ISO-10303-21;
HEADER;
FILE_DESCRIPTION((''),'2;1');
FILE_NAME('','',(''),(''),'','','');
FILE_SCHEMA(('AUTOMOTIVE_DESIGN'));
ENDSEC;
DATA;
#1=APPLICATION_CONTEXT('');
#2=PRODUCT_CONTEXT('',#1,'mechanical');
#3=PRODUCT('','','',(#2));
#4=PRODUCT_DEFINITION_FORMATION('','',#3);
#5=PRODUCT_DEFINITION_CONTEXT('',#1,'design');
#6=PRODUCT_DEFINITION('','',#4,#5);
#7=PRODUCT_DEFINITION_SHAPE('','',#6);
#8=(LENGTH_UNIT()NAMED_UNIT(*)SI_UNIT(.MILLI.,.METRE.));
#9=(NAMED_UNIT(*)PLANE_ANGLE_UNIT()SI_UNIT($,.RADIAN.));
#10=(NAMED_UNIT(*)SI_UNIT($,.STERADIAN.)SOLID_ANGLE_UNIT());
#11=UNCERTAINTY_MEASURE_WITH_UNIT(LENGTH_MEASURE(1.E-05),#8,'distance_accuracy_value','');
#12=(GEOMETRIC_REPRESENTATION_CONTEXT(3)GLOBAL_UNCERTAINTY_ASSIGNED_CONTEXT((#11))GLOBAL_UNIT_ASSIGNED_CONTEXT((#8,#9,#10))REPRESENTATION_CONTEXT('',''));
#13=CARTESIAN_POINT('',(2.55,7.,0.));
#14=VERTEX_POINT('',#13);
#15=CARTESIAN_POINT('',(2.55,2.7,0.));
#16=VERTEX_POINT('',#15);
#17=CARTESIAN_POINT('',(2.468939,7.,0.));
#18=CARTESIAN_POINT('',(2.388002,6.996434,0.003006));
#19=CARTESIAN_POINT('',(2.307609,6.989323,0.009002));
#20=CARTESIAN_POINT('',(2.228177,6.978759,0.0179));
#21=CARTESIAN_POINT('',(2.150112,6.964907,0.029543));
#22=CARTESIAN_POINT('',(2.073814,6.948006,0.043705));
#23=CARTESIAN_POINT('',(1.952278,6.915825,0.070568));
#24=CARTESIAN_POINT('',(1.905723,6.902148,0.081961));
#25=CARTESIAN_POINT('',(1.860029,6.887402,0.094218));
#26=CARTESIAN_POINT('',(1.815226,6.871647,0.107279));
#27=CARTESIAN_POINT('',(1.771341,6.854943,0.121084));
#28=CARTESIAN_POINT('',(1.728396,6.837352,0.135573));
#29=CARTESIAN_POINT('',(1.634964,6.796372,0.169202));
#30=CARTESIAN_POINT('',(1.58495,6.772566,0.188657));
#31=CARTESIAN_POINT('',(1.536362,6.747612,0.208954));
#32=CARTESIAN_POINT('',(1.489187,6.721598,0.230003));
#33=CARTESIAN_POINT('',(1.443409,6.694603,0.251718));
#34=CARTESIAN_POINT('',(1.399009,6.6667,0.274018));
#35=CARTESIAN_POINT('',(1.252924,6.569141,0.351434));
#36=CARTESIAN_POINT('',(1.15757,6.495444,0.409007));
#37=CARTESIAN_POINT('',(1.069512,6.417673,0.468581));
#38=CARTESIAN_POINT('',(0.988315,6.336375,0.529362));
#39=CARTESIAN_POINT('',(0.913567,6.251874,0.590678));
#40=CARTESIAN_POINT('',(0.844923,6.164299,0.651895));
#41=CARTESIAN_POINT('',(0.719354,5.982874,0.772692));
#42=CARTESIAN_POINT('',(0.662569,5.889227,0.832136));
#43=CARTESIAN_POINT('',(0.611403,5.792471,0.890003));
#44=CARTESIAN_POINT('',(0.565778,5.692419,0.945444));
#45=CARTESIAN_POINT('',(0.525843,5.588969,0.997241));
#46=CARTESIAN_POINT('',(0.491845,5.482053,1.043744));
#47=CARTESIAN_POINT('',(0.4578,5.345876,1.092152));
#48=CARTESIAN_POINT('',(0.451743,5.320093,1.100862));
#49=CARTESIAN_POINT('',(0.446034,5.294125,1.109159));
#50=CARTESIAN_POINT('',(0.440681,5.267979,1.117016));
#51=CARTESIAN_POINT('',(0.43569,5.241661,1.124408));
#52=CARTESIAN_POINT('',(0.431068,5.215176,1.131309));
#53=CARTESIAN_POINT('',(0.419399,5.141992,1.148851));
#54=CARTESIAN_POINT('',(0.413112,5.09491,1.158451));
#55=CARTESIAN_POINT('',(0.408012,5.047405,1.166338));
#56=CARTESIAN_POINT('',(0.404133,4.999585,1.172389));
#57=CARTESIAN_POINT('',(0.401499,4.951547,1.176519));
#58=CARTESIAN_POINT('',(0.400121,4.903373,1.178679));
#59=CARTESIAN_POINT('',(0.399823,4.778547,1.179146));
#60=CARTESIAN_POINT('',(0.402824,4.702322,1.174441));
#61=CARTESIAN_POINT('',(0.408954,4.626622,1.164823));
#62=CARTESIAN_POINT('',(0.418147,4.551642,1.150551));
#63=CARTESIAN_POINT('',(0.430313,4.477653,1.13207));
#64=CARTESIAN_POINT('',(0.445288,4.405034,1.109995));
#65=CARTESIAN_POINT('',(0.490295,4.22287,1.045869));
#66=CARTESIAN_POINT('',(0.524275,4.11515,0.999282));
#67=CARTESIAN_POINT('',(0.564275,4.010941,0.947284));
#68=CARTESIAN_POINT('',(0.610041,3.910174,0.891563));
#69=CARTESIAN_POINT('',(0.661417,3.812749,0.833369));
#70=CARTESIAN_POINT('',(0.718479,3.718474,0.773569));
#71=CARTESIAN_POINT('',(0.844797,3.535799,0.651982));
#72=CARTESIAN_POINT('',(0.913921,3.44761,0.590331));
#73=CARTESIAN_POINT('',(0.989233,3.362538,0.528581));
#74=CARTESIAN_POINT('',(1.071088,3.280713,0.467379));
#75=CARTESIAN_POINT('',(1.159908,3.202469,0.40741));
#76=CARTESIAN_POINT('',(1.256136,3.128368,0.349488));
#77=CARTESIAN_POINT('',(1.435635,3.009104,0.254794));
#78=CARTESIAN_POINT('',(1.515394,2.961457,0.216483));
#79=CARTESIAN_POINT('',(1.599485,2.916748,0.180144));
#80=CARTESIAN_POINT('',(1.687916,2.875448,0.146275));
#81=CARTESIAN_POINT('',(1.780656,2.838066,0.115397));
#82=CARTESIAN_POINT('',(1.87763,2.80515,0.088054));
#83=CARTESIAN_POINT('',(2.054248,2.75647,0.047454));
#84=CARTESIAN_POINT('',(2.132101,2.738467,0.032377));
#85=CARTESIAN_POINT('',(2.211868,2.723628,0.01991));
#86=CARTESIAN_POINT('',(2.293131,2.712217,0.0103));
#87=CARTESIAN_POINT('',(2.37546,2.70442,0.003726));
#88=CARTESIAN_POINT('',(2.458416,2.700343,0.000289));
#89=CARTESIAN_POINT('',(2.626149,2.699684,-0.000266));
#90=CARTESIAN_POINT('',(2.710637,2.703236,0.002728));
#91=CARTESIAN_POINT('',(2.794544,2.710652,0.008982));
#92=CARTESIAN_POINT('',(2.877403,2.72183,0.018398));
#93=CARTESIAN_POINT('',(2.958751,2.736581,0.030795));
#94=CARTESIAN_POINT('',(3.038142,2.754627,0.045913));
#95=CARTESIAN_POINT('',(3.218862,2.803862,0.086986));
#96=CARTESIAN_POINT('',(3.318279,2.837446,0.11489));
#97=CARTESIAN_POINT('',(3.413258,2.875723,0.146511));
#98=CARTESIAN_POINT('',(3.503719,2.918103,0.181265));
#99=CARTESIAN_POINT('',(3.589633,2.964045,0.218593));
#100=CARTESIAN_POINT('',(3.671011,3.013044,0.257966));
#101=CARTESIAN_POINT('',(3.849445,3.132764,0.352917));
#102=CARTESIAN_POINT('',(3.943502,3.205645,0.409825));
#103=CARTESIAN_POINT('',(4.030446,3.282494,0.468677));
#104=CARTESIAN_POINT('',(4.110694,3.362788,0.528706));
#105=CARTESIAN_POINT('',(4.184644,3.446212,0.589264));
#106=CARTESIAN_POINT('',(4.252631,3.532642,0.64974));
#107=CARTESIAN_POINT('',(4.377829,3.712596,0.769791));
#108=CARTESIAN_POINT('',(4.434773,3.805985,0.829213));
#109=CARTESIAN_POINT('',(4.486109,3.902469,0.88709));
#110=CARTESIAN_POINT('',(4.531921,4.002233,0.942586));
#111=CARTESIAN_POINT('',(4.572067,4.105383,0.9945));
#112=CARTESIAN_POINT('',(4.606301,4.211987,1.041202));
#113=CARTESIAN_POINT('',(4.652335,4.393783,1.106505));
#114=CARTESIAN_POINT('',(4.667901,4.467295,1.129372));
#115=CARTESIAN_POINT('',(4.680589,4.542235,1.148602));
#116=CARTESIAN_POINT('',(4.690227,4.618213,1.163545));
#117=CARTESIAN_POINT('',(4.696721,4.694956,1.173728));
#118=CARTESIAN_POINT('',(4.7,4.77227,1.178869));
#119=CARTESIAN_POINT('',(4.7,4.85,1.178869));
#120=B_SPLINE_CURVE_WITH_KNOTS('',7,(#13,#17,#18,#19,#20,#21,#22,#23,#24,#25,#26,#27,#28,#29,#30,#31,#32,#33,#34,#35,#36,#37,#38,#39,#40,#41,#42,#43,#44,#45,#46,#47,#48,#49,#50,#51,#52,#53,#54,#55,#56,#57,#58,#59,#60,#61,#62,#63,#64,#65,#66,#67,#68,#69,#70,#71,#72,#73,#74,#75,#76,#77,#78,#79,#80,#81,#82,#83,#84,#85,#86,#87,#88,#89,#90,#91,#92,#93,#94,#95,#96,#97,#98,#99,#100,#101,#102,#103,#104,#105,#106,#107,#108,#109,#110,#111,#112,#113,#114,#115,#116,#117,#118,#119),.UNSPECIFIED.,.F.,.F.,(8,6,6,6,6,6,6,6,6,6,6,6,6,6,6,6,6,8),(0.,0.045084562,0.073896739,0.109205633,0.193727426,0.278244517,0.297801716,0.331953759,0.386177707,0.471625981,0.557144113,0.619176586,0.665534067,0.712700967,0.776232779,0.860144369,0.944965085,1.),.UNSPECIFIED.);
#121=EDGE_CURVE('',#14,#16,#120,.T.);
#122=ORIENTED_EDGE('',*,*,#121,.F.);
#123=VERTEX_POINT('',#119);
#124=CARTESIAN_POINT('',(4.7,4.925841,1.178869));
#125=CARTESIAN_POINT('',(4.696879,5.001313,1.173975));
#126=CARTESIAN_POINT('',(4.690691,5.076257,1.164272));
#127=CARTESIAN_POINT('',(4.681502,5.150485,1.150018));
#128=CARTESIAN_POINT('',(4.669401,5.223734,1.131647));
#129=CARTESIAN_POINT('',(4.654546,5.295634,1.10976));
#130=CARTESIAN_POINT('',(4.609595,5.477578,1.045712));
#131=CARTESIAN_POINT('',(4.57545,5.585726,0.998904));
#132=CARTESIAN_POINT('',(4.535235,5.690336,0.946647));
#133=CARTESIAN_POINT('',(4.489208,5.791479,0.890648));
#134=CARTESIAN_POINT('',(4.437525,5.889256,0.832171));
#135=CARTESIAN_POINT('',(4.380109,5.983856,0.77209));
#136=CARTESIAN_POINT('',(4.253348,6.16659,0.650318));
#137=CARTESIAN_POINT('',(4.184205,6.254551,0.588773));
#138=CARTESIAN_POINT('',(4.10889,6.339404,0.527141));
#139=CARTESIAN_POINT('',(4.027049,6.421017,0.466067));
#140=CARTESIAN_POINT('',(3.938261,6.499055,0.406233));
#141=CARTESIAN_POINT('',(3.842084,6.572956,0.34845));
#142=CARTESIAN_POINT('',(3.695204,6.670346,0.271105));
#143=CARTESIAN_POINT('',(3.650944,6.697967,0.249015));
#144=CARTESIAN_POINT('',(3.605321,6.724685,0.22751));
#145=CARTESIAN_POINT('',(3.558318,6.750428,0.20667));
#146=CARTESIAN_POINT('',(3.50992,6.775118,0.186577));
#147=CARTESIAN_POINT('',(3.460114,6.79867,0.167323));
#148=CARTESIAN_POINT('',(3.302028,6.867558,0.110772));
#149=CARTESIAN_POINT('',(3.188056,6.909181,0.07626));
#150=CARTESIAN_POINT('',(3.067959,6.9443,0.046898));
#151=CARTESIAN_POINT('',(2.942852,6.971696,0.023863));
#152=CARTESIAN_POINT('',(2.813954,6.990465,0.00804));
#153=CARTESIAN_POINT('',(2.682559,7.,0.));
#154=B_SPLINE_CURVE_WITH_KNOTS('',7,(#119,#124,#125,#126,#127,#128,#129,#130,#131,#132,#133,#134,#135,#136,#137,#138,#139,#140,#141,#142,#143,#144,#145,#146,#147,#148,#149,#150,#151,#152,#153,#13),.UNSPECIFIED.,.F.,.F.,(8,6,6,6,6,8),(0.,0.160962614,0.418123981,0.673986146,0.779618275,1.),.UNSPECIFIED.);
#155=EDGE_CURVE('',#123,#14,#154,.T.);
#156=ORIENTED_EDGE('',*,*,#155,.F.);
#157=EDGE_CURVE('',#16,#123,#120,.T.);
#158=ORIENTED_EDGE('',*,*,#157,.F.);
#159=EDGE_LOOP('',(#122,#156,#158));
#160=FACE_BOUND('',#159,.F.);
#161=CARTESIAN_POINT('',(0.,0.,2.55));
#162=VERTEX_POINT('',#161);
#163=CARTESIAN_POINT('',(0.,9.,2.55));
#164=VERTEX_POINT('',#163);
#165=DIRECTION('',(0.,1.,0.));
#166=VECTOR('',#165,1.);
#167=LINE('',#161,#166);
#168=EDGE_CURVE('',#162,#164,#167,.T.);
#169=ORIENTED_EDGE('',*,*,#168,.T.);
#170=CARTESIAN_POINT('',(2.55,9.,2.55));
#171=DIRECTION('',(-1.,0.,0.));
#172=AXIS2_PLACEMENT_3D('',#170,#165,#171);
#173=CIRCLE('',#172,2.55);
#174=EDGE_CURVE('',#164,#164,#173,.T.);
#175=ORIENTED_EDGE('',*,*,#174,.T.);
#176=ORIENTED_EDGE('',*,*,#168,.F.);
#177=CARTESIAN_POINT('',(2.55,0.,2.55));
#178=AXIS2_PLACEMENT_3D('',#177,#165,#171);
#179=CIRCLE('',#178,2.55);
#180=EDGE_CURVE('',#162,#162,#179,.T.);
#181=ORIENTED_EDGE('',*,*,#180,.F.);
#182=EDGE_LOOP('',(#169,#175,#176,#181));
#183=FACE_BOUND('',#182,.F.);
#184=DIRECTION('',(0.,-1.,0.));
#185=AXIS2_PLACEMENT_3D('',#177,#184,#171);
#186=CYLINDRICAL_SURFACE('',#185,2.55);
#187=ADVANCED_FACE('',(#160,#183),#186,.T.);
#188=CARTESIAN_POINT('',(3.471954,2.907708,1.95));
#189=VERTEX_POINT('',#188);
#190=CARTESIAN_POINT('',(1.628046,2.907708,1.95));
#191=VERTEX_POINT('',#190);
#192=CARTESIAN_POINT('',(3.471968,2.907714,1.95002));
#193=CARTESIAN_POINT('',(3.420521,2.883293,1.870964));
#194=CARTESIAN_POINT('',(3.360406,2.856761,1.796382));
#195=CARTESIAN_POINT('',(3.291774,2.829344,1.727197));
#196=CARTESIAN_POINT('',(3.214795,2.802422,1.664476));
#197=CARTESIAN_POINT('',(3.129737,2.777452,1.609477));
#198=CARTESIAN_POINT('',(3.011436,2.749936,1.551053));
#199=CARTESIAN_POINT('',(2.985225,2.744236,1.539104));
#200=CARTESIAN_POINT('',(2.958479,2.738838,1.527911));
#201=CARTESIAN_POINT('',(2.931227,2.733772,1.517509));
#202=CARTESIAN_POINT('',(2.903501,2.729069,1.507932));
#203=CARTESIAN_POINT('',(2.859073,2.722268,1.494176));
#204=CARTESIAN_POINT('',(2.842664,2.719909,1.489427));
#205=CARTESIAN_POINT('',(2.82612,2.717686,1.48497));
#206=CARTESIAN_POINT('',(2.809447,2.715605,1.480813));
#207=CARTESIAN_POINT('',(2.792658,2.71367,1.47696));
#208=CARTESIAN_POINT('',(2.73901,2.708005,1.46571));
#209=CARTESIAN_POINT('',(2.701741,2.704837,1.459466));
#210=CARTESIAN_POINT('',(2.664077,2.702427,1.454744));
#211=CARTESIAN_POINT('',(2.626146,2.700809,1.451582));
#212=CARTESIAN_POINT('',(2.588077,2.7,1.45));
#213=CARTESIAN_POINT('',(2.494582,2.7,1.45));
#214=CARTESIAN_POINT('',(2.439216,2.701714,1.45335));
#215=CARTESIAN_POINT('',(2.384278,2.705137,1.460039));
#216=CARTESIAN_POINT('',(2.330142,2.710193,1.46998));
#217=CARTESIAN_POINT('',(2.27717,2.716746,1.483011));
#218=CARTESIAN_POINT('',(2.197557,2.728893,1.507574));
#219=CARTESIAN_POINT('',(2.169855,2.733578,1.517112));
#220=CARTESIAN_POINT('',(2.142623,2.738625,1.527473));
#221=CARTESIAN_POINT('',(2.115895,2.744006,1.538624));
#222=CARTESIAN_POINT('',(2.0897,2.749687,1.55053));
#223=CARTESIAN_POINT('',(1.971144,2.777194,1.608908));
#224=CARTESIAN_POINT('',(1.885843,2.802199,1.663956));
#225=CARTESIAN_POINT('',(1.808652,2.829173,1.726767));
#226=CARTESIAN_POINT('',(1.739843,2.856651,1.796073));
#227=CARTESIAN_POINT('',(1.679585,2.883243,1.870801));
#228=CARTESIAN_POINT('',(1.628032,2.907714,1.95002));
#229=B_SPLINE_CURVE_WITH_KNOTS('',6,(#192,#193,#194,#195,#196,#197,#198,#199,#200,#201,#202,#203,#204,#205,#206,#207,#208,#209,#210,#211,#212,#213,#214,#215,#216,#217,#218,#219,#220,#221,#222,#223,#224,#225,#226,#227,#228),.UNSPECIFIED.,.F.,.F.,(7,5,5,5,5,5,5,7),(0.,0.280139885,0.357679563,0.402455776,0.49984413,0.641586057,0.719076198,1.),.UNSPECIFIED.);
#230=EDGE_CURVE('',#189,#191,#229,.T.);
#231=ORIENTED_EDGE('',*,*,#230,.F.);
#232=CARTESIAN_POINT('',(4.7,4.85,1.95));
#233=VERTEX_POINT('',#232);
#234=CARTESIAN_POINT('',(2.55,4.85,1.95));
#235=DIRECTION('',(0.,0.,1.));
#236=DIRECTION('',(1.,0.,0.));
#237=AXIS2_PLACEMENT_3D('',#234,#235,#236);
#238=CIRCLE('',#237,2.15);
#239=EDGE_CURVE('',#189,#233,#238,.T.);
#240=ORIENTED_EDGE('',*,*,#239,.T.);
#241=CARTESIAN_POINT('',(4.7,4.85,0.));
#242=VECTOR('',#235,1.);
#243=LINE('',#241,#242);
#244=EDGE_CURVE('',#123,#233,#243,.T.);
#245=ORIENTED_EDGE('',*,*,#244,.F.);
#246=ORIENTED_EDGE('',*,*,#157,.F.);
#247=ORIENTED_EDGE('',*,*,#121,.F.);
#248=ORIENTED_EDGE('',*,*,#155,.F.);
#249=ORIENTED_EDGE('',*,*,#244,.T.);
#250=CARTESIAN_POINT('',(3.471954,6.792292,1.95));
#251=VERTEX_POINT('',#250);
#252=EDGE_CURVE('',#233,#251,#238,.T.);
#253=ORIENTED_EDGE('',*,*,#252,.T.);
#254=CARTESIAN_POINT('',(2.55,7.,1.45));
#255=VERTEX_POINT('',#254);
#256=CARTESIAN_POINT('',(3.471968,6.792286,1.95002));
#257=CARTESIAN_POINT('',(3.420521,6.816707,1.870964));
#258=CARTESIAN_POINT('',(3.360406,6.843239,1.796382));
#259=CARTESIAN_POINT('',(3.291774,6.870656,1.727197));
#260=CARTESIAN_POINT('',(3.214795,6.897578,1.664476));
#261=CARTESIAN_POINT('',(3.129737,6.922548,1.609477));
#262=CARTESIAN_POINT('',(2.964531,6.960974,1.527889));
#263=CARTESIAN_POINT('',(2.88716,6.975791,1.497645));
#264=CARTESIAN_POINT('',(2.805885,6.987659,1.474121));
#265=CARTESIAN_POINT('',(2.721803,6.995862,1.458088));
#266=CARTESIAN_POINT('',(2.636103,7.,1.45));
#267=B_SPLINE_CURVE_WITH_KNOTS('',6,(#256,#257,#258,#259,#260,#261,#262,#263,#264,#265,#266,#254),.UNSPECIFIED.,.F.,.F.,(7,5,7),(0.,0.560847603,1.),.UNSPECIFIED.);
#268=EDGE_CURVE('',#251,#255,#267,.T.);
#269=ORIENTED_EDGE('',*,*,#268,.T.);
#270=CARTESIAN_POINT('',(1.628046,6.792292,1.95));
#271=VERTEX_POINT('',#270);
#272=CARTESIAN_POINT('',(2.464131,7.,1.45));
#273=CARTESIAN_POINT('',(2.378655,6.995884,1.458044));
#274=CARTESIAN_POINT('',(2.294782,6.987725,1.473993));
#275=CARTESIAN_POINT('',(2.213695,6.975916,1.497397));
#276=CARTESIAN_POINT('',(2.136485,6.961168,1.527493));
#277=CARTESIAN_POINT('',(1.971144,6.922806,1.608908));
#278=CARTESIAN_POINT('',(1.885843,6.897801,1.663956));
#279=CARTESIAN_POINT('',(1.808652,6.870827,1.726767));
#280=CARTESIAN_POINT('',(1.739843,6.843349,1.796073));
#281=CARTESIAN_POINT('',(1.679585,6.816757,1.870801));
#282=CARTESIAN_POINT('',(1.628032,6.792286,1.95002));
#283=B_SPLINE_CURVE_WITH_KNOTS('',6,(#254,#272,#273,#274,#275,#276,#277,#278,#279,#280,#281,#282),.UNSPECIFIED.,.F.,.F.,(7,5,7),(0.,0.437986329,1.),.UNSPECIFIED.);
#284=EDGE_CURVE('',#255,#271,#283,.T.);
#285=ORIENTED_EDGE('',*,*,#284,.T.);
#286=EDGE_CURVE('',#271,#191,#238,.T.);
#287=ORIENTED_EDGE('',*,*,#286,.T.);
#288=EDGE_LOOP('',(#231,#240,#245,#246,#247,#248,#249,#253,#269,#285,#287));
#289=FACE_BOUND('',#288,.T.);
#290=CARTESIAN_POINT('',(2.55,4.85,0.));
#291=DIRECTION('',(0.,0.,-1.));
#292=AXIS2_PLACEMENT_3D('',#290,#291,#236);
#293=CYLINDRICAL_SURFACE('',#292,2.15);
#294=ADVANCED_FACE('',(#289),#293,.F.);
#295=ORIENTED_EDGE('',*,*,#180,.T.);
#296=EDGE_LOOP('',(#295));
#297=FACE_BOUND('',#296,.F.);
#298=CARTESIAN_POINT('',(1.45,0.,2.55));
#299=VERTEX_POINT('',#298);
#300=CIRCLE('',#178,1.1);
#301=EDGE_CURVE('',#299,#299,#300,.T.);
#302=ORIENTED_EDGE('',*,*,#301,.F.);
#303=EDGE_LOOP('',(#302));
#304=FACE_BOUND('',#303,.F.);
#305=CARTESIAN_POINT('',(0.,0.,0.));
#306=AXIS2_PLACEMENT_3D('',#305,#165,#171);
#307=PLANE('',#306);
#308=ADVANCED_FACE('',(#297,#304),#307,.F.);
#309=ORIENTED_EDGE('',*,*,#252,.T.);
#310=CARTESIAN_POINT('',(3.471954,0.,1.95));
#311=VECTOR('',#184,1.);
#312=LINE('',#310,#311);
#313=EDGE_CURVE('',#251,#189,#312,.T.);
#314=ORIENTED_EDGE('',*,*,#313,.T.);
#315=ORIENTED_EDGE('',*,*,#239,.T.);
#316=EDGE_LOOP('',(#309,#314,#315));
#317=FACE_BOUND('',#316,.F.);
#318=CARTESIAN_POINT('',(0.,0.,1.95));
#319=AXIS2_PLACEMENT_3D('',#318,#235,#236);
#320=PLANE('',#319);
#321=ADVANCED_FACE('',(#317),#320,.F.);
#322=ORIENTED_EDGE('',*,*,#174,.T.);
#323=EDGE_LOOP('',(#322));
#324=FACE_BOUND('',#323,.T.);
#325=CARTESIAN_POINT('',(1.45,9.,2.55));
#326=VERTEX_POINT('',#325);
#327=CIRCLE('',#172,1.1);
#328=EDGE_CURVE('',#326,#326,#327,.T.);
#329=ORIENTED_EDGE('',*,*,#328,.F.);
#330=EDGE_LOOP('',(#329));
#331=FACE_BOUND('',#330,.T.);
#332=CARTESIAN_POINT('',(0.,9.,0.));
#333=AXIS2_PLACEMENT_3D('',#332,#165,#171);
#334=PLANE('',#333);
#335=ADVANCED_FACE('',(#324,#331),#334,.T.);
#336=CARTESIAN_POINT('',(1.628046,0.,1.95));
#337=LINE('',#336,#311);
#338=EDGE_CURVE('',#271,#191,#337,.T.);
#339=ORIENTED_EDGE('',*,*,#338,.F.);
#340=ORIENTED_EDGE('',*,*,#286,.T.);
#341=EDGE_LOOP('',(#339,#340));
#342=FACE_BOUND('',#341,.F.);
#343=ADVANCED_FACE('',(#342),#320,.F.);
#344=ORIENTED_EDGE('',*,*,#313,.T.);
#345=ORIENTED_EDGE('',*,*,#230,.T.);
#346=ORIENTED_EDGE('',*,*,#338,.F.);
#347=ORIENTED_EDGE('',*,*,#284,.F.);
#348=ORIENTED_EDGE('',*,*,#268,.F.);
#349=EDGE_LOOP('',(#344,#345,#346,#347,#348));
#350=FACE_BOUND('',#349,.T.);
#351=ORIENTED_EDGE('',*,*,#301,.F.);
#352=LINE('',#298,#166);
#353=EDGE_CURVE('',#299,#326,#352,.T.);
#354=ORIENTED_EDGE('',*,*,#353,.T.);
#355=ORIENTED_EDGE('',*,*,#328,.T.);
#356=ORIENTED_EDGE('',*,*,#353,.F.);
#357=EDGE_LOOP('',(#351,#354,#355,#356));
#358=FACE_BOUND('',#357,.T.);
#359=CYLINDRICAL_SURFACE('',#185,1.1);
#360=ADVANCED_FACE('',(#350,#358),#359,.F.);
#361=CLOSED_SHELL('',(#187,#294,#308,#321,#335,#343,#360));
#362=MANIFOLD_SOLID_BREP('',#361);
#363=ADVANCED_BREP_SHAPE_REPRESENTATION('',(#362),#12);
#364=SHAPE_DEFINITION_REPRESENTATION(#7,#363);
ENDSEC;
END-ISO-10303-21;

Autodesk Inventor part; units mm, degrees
ref_plane "YZ Plane" through (0, 0, 0) normal (1, 0, 0) x (0, 1, 0)
ref_plane "XZ Plane" through (0, 0, 0) normal (0, 1, 0) x (-1, 0, 0)
sketch "Sketch1" plane through (0, 0, 0) normal (0, 1, 0) x (-1, 0, 0)
  circle A0 centre (-2.55, 2.55) radius 1.1
  circle A1 centre (-2.55, 2.55) radius 2.55
  line L0 (0, 0) -> (-7.3028, 0) construction
  line L1 (0, 0) -> (0, 4.3038) construction
  dimension "d0" = 2.2
  dimension "d1" = 5.1
extrude "Extrusion1" add sketch "Sketch1" along normal blind 9
ref_plane "Work Plane1" through (2.55, 0, 1.45) normal (0, 0, 1) x (1, 0, 0)
ref_plane "screwMaxDist" through (2.55, 0, 1.95) normal (0, 0, 1) x (1, 0, 0)
sketch "Sketch2" plane through (0, 0, 0) normal (0, 0, 1) x (1, 0, 0)
  line L0 (5.1, 9) -> (0, 9) projected
  circle A0 centre (2.55, 4.85) radius 2.15
  line L1 (5.1, 9) -> (0, 9) projected
  line L2 (5.1, 0) -> (0, 0) projected
  line L3 (0, 0) -> (0, 9) projected
  line L4 (0, 7) -> (5.1, 7)
  line L5 (5.1, 0) -> (5.1, 9) projected
  dimension "d5" = 4.3
  dimension "d15" = 2
  dimension "d16" = 2.55
  dimension "d17" = 2.55
extrude "Extrusion2" cut sketch "Sketch2" along normal up to surface (1.95 mm away) contours A0
equation "\"d16\" = d17"
properties part number "motor_shaft_adapter" material "ABS Plastic"
